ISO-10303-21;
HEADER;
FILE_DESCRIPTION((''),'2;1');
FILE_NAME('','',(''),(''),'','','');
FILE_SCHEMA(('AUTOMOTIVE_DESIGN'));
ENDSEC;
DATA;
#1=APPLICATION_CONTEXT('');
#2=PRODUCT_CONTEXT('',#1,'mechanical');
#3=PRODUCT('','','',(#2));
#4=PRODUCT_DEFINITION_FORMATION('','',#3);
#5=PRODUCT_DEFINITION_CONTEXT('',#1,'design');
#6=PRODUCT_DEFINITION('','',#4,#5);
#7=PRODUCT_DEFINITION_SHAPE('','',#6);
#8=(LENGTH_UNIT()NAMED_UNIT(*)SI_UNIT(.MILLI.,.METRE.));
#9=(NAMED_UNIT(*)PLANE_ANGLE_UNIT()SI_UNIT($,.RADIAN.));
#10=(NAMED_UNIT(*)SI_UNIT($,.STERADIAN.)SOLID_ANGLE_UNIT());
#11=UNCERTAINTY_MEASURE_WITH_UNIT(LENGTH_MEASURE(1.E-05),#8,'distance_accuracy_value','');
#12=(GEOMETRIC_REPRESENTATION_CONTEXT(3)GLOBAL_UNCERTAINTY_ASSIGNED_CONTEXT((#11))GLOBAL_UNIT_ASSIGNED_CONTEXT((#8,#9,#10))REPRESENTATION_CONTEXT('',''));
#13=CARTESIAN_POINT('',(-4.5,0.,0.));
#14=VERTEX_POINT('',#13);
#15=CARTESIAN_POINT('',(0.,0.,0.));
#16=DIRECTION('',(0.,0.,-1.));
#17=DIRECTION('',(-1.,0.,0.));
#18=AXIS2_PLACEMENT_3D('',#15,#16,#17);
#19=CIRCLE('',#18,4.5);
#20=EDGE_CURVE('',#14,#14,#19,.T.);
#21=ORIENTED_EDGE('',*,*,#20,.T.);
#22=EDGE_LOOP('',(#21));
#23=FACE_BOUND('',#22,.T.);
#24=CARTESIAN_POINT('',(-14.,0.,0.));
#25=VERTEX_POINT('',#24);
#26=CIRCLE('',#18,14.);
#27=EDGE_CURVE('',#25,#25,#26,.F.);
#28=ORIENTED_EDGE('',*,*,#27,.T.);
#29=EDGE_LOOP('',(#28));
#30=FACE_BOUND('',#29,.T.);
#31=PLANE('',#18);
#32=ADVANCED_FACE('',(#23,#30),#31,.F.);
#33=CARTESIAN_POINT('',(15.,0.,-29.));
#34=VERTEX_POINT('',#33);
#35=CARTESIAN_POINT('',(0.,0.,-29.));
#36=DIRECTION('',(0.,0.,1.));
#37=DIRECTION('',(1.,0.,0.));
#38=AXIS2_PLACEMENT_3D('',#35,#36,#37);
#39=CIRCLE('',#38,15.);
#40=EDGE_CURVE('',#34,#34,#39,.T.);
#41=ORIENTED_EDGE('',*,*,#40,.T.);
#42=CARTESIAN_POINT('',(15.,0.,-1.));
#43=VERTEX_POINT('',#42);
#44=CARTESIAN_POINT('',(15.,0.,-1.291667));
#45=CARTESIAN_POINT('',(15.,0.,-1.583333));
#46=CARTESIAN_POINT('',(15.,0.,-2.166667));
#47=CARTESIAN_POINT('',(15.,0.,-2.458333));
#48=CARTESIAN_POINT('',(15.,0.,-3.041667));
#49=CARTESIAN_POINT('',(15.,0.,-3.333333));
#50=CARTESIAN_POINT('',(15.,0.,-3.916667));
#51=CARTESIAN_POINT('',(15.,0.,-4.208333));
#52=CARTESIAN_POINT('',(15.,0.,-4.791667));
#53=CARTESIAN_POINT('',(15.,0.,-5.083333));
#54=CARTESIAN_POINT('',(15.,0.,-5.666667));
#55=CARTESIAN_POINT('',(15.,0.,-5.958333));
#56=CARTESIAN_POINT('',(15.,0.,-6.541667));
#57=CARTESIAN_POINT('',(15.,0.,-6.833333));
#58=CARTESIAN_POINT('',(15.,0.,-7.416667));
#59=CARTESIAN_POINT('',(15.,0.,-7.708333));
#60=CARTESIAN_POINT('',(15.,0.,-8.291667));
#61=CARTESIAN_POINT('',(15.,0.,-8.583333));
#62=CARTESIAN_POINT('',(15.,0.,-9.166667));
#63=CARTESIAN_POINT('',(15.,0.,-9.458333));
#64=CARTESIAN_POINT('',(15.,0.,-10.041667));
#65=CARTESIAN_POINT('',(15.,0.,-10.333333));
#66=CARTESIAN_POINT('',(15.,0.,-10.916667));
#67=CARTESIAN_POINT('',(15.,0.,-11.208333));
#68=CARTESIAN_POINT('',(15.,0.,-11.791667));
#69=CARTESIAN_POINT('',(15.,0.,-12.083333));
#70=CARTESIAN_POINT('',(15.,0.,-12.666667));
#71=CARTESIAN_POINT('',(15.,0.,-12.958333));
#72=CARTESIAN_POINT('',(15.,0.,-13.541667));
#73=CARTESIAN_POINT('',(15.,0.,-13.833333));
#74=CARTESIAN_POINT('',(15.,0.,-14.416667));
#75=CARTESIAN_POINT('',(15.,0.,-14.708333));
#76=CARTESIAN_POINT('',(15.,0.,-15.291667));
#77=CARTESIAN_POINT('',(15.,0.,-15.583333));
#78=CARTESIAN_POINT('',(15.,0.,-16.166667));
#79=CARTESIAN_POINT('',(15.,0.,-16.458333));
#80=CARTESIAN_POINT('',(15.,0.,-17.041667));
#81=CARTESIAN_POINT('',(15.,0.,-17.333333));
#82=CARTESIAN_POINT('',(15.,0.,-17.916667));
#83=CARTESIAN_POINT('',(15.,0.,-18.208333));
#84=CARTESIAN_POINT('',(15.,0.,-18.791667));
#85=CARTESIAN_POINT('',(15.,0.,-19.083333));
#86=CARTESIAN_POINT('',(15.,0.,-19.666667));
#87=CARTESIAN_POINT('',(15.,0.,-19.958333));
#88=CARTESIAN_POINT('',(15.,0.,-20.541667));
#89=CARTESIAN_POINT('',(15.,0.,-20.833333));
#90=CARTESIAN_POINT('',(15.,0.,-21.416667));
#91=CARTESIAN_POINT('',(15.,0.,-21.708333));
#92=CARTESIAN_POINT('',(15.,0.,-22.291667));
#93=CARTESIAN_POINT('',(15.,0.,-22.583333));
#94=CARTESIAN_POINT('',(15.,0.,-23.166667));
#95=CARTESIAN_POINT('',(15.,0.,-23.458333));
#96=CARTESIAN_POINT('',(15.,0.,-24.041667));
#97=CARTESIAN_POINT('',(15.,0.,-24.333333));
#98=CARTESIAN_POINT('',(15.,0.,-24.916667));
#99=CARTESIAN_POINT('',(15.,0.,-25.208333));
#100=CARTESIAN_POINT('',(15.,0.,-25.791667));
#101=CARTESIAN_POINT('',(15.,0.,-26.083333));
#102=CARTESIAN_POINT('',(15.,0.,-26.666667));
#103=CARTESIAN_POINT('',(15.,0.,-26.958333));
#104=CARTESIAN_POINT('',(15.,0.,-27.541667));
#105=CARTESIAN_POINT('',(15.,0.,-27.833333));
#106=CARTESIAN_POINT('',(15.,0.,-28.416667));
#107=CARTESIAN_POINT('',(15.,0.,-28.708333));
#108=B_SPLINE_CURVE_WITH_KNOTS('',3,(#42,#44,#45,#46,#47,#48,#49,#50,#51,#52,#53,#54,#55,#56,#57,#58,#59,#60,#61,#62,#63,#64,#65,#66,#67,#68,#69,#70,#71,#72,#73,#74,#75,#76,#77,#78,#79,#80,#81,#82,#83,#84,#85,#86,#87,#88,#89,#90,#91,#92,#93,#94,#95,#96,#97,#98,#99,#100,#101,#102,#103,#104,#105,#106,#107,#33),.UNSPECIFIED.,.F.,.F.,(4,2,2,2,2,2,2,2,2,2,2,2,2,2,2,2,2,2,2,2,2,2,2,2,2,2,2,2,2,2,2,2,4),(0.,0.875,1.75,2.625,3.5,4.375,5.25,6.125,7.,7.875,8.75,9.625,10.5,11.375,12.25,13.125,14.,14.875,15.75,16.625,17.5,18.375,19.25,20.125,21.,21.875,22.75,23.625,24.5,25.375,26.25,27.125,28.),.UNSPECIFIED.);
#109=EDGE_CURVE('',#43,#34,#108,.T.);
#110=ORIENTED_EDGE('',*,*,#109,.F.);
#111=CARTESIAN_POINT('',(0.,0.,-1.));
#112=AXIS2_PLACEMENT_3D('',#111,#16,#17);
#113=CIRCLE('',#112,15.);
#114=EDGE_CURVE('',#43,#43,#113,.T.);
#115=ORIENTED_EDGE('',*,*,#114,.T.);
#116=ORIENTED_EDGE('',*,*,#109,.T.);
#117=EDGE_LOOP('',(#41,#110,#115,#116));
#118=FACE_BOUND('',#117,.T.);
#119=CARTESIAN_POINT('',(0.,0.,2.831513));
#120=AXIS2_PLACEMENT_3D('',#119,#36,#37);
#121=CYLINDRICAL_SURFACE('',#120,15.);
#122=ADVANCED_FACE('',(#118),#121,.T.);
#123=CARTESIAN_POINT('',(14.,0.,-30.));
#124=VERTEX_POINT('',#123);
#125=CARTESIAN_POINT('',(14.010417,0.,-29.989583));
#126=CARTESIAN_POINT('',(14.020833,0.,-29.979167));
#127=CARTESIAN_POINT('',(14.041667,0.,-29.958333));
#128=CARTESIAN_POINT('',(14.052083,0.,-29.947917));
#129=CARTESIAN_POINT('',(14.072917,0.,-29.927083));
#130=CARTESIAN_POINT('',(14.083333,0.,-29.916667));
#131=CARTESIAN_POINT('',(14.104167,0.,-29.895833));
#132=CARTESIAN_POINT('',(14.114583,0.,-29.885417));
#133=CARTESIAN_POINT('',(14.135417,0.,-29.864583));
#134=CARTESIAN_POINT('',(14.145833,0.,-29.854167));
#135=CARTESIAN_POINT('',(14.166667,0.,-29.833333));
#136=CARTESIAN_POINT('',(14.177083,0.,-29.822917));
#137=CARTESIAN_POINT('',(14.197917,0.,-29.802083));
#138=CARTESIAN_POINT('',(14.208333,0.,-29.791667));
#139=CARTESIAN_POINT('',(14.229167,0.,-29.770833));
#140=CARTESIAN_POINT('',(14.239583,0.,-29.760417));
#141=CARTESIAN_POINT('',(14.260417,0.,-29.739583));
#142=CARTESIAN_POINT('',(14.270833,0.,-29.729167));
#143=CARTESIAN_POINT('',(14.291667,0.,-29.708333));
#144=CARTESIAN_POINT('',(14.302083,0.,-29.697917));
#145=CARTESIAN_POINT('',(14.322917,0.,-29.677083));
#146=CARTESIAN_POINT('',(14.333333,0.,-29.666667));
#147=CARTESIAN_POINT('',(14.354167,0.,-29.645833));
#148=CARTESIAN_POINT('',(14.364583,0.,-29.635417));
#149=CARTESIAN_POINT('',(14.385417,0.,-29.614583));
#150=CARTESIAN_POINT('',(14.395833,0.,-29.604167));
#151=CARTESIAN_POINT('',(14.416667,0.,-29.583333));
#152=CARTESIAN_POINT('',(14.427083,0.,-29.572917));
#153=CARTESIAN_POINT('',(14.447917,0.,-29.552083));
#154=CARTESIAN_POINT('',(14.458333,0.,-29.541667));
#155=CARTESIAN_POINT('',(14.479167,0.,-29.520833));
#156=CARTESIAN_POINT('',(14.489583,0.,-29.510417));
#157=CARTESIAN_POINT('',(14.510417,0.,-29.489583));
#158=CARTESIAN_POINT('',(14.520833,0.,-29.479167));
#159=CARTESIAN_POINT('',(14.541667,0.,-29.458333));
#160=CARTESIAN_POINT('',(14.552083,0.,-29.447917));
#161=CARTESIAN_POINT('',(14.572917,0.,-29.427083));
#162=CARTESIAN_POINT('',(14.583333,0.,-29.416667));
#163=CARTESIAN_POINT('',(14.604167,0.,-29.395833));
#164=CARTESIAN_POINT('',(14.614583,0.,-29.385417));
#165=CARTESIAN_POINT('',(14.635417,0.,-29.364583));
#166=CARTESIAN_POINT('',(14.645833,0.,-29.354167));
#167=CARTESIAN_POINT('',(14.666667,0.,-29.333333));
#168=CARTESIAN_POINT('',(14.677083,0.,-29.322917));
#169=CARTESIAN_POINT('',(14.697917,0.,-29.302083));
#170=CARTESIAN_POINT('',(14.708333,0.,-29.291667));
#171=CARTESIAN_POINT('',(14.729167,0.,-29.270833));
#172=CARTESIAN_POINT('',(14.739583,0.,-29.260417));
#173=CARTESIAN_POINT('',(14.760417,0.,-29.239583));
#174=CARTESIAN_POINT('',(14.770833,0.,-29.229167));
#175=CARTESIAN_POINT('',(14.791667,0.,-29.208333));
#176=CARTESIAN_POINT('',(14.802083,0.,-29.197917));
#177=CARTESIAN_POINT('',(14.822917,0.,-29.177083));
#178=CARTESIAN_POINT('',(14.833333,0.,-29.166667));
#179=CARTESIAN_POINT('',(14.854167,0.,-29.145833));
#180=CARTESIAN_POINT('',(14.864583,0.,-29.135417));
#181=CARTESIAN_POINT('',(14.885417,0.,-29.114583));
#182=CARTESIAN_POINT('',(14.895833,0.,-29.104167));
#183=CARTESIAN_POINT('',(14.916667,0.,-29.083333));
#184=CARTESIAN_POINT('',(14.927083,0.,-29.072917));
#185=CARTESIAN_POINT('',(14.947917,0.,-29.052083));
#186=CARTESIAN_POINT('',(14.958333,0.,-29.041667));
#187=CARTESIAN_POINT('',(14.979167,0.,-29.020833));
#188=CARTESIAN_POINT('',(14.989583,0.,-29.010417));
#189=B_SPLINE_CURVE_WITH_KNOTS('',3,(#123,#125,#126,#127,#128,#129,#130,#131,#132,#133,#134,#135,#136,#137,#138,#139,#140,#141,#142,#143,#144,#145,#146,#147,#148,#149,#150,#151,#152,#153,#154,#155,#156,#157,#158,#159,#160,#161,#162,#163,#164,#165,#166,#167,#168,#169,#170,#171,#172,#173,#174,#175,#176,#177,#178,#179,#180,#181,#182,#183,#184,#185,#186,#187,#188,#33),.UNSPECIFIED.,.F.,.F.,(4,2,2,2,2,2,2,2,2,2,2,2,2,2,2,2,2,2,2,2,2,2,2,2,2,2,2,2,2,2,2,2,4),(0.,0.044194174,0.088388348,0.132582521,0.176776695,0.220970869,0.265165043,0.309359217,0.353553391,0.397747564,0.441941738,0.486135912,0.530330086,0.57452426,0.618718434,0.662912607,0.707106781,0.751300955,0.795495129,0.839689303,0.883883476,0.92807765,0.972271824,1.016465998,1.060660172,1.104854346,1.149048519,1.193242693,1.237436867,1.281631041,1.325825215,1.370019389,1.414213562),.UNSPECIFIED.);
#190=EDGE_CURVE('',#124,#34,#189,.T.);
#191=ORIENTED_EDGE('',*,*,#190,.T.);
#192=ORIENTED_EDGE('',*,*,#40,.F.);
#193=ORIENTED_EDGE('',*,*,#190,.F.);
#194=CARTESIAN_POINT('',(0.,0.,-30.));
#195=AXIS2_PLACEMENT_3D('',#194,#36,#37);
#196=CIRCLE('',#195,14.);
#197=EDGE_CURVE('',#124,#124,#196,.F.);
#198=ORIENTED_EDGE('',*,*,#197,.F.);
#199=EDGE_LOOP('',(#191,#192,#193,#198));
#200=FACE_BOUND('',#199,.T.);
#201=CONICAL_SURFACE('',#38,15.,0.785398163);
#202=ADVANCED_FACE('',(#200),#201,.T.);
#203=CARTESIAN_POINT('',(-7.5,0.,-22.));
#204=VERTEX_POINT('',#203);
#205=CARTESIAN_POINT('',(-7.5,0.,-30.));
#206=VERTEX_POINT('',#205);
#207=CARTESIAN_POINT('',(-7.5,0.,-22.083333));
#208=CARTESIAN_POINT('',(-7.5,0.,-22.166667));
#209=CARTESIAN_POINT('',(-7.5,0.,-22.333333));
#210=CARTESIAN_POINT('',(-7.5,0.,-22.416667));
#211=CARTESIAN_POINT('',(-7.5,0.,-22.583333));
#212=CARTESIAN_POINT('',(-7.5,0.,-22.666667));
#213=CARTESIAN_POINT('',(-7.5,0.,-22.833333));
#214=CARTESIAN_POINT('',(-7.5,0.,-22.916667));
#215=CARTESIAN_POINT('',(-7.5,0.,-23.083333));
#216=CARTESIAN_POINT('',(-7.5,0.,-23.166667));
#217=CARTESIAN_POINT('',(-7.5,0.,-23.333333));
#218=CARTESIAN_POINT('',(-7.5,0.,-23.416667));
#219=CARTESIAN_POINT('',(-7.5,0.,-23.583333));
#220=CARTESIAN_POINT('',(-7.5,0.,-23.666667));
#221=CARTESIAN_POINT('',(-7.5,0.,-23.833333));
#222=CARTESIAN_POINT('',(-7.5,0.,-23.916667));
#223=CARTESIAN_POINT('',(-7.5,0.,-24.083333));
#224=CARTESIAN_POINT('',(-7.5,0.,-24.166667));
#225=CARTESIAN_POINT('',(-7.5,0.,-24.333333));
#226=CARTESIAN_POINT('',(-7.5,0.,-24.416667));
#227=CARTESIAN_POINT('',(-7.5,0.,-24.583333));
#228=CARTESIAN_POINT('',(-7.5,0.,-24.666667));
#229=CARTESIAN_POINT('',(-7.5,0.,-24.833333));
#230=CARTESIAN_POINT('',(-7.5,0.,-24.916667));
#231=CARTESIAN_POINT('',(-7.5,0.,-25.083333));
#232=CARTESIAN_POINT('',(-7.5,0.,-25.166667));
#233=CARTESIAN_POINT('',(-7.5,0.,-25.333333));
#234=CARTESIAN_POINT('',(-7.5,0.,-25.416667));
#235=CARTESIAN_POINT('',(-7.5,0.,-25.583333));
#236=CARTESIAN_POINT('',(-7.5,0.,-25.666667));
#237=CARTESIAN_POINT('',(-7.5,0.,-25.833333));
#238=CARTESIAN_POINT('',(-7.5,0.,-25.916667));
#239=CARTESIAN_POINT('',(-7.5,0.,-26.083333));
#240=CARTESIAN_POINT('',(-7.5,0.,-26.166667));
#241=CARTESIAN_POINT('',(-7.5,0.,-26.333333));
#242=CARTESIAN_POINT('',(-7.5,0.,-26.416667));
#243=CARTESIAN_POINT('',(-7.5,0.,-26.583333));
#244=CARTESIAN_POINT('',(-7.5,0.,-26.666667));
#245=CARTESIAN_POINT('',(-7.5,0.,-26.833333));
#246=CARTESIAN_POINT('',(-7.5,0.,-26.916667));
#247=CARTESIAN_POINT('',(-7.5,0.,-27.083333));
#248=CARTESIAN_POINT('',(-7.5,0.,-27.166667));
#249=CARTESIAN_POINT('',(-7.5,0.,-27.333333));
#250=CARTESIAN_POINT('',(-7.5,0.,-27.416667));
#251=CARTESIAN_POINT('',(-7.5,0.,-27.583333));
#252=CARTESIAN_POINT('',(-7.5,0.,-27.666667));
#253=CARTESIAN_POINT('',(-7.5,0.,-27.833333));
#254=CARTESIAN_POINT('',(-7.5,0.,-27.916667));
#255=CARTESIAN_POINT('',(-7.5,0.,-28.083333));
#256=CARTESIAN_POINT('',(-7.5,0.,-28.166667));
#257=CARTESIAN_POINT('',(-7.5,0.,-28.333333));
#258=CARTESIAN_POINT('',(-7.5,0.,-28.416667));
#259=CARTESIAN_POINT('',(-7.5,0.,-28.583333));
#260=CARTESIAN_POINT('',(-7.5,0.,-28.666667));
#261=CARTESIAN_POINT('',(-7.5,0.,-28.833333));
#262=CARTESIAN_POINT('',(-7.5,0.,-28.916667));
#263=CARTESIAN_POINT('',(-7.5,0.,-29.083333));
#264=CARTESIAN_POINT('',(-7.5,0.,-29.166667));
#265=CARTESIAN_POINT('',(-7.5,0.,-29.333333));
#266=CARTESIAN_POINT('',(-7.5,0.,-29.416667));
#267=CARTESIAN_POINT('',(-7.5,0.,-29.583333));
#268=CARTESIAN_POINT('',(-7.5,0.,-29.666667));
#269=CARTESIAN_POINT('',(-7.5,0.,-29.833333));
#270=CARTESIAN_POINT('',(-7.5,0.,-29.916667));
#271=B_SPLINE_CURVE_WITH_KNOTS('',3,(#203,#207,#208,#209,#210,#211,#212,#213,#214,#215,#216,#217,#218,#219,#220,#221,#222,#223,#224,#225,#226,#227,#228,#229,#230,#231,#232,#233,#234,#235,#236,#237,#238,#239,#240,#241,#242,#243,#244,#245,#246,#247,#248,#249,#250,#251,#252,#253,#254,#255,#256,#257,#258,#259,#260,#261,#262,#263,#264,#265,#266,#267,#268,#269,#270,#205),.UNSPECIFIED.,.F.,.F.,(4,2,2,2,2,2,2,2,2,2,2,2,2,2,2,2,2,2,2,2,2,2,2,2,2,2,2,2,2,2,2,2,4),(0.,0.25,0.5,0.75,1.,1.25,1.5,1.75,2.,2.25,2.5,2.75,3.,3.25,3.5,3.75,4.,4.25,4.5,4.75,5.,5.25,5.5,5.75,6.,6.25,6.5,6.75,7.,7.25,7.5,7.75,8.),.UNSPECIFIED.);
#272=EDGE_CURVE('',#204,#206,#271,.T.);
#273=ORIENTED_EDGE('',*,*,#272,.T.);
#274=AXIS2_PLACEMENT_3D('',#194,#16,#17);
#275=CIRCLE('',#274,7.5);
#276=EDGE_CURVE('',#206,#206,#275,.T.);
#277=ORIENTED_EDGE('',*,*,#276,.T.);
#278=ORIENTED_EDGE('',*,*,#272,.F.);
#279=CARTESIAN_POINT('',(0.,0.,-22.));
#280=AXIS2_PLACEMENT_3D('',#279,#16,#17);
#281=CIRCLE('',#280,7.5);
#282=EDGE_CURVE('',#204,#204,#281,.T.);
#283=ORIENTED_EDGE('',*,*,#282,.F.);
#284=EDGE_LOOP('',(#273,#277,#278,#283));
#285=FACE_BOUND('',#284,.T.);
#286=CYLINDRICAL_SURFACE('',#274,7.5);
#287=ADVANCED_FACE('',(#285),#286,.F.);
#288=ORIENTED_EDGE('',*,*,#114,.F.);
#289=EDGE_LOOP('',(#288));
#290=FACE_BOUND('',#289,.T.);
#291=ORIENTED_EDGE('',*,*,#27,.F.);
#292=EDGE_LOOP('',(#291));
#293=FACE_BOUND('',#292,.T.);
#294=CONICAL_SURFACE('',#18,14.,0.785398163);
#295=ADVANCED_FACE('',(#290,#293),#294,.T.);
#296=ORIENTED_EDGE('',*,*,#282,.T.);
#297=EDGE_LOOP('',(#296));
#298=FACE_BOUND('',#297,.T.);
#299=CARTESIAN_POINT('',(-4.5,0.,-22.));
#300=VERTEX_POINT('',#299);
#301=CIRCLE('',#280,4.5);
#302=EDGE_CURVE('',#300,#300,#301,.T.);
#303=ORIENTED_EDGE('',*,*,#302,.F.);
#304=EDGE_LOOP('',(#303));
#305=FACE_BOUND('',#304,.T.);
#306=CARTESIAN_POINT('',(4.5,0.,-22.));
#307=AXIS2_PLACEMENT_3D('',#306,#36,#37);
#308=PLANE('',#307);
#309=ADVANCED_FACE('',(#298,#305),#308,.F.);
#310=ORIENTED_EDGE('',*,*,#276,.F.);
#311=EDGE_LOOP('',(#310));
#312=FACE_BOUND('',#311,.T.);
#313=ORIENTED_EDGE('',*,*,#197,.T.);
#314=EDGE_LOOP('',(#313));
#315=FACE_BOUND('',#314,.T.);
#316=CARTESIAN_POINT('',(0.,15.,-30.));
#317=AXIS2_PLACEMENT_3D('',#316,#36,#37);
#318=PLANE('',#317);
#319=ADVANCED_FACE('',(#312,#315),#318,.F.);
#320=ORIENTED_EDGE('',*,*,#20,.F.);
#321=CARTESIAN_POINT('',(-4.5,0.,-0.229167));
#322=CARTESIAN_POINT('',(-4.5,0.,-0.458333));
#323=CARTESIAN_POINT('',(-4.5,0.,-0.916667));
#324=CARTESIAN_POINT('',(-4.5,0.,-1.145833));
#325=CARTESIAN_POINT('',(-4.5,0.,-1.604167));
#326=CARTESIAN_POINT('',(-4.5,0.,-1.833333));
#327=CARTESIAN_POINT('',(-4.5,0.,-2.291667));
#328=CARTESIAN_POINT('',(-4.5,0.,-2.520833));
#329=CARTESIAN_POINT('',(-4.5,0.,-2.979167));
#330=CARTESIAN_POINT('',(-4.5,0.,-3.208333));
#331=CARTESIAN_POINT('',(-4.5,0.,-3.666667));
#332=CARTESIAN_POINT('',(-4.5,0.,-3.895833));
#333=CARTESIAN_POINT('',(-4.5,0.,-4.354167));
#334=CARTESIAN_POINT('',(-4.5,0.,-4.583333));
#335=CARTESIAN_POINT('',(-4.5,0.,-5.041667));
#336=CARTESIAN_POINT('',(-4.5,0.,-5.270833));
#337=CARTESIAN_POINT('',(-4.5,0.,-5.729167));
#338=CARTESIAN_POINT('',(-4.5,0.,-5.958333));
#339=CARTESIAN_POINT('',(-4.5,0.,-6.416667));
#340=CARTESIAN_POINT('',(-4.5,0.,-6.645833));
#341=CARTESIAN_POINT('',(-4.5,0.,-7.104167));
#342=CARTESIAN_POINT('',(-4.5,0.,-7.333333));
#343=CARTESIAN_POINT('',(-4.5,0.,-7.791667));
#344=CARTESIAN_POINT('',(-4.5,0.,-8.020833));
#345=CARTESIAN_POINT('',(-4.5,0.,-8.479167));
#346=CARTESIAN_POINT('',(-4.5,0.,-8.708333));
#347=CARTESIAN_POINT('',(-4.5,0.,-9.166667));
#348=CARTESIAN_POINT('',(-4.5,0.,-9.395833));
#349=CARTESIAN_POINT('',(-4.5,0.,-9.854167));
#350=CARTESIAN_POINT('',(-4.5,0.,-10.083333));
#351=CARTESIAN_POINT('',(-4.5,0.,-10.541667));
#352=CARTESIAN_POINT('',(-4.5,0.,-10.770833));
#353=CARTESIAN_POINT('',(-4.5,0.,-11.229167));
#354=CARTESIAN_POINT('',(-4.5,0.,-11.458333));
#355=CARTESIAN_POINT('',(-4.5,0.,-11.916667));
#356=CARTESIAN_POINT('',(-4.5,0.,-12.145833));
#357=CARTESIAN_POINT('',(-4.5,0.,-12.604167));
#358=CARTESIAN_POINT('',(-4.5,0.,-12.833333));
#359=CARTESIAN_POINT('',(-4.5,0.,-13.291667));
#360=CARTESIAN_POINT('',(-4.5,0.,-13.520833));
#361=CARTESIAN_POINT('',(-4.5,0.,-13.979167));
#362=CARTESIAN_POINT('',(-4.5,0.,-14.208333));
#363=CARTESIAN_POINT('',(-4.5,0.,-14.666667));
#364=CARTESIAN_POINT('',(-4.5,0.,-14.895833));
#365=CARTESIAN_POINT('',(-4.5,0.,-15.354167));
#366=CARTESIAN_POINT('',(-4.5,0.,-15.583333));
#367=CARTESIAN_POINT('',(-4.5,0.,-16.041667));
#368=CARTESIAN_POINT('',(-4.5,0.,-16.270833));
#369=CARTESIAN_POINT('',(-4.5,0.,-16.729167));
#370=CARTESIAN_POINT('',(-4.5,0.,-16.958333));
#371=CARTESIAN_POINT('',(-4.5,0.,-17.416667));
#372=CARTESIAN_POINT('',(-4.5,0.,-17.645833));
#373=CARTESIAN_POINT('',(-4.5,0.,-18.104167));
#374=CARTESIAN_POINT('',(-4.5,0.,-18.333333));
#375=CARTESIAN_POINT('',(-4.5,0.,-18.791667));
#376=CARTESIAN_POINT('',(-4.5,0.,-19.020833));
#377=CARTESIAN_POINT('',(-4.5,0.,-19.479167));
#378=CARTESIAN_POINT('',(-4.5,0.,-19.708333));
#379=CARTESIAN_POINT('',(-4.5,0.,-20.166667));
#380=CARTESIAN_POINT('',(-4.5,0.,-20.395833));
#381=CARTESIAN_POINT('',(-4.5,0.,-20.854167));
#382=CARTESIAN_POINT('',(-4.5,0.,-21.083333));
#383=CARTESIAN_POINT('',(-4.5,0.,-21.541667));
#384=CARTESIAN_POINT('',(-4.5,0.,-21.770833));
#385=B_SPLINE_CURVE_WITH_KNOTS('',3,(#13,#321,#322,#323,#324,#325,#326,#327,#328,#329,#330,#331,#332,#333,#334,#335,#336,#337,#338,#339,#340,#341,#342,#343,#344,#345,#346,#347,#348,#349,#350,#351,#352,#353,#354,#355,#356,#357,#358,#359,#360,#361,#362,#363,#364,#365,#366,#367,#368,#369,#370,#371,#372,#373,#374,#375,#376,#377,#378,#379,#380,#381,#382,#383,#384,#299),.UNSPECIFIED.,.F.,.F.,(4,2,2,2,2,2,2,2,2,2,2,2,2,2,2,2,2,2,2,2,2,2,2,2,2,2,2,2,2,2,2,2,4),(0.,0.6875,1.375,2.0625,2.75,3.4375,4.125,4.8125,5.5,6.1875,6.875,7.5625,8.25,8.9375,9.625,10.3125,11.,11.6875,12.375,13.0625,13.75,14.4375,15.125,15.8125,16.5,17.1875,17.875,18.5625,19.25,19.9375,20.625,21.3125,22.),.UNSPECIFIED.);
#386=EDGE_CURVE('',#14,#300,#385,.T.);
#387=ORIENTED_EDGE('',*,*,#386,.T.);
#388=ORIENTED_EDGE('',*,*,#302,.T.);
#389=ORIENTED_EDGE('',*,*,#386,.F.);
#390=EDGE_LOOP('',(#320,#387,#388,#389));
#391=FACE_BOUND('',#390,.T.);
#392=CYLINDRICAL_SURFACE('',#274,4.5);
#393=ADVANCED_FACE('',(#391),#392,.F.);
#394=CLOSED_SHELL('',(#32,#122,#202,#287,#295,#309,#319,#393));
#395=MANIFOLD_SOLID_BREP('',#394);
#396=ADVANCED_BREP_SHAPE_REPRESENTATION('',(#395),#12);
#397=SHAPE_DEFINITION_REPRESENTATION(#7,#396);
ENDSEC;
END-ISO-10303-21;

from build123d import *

# Parameters (mm, degrees)
SKETCH_1_W                   = 30
SKETCH_1_H                   = 15
HOLE_WIZARD_M8_1_D           = 9
HOLE_WIZARD_M8_1_CBORE_D     = 15
HOLE_WIZARD_M8_1_CBORE_DEPTH = 8
CHAMFER_1_SIZE               = 1


with BuildPart() as part:
    # 草圖1 → 旋轉1 (revolve)
    with BuildSketch(Plane(origin=(0, 0, 0), x_dir=(0, 0, -1), z_dir=(1, 0, 0)), mode=Mode.PRIVATE) as revolve_1_sk:
        with Locations((15, 7.5)):
            Rectangle(SKETCH_1_W, SKETCH_1_H)
    revolve(revolve_1_sk.sketch.rotate(Axis((0, 0, 2.831513271), (0, 0, -1)), 90), axis=Axis((0, 0, 2.831513271), (0, 0, -1)))

    # M8 六角承窩頭蓋螺釘的柱孔1 (through all)
    with Locations(Plane(origin=(0, 0, -30), x_dir=(-1, 0, 0), z_dir=(0, 0, -1))):
        with Locations((0, 0)):
            CounterBoreHole(HOLE_WIZARD_M8_1_D / 2, HOLE_WIZARD_M8_1_CBORE_D / 2, HOLE_WIZARD_M8_1_CBORE_DEPTH)

    # 導角1
    chamfer_1_edges = [part.edges().sort_by_distance(p)[0] for p in [
        (-15, 0, -30),
        (-15, 0, 0),
    ]]
    chamfer(chamfer_1_edges, length=CHAMFER_1_SIZE)


solid = part.part
